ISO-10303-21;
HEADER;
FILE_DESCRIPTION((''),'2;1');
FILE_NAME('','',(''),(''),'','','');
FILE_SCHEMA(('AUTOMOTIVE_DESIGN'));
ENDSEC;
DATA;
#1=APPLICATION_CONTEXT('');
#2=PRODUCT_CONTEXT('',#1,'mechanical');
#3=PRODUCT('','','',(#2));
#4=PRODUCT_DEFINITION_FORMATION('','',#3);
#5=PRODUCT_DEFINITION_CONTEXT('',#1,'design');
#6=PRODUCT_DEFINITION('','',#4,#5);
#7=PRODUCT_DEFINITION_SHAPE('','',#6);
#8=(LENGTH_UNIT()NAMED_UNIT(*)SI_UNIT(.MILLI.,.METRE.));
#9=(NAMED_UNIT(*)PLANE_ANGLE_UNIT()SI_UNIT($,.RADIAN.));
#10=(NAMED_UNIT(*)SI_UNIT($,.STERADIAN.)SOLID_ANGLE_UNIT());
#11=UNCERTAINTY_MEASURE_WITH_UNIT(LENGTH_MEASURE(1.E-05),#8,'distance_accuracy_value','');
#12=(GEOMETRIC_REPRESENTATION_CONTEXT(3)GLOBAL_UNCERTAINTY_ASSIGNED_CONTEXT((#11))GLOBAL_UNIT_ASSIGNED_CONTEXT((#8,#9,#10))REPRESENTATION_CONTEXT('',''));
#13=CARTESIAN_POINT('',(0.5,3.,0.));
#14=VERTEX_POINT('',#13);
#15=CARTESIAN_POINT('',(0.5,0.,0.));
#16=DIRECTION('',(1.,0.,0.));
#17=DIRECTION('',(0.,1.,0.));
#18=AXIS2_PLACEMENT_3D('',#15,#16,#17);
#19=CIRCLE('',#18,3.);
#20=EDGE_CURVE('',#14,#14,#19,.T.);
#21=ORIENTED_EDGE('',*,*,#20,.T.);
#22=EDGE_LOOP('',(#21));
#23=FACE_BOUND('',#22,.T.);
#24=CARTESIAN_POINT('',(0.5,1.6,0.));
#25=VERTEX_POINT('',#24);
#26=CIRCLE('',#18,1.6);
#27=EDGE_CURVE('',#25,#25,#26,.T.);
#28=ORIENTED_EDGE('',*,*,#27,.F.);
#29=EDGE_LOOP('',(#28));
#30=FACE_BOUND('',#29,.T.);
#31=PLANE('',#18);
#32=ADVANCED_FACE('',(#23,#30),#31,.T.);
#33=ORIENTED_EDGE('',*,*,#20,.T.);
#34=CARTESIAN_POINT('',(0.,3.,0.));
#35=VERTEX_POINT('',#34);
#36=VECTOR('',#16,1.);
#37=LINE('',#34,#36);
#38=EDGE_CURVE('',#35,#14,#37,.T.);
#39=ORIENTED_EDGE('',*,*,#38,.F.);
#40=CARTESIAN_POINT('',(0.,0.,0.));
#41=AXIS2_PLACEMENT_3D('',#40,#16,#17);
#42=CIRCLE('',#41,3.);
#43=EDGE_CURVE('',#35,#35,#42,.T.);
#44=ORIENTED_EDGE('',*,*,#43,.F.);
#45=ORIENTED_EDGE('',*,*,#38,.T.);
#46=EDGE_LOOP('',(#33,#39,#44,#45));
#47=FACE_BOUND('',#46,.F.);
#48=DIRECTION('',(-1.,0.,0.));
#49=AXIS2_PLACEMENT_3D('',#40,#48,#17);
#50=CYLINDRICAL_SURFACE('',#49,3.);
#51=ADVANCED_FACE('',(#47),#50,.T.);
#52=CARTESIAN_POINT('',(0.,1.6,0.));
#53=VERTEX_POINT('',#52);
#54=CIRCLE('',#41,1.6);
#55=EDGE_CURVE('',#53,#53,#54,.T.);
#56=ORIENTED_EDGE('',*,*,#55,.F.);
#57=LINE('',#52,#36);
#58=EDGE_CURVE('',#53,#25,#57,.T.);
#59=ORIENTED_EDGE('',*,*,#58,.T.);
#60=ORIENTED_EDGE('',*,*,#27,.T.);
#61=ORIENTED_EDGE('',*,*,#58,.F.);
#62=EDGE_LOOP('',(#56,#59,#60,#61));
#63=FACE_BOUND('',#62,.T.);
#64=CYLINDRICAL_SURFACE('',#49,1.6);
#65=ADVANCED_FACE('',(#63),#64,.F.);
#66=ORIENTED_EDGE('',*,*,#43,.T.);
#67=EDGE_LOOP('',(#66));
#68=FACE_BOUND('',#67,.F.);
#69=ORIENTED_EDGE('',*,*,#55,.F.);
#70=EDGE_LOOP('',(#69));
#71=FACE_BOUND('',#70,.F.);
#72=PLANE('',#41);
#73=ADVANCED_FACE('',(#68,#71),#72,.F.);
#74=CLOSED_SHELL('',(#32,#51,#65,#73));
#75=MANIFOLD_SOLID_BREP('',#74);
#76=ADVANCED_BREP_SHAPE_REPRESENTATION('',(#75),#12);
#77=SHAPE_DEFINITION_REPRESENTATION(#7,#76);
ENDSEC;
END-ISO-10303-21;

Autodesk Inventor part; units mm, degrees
ref_plane "YZ Plane" through (0, 0, 0) normal (1, 0, 0) x (0, 1, 0)
ref_plane "XZ Plane" through (0, 0, 0) normal (0, 1, 0) x (-1, 0, 0)
sketch "Szkic" plane through (0, 0, 0) normal (1, 0, 0) x (0, 1, 0)
  circle A0 centre (0, 0) radius 3
  circle A1 centre (0, 0) radius 1.6
  dimension "d0" = 3.2
  dimension "d1" = 6
extrude "Bryła" add sketch "Szkic" along normal blind 0.5
ref_plane "Work Plane1" through (0, 0, 0) normal (0, 0, 1) x (1, 0, 0)
equation "\"d0\" = SD1"
equation "\"d1\" = SD2"
equation "\"d2\" = SD"
equation "\"SD1\" = 3.2"
equation "\"SD2\" = 6"
equation "\"SD\" = 0.5"
equation "\"NND\" = 3"
properties part number "AS 1237 - 3" material "Stal, miękka"
